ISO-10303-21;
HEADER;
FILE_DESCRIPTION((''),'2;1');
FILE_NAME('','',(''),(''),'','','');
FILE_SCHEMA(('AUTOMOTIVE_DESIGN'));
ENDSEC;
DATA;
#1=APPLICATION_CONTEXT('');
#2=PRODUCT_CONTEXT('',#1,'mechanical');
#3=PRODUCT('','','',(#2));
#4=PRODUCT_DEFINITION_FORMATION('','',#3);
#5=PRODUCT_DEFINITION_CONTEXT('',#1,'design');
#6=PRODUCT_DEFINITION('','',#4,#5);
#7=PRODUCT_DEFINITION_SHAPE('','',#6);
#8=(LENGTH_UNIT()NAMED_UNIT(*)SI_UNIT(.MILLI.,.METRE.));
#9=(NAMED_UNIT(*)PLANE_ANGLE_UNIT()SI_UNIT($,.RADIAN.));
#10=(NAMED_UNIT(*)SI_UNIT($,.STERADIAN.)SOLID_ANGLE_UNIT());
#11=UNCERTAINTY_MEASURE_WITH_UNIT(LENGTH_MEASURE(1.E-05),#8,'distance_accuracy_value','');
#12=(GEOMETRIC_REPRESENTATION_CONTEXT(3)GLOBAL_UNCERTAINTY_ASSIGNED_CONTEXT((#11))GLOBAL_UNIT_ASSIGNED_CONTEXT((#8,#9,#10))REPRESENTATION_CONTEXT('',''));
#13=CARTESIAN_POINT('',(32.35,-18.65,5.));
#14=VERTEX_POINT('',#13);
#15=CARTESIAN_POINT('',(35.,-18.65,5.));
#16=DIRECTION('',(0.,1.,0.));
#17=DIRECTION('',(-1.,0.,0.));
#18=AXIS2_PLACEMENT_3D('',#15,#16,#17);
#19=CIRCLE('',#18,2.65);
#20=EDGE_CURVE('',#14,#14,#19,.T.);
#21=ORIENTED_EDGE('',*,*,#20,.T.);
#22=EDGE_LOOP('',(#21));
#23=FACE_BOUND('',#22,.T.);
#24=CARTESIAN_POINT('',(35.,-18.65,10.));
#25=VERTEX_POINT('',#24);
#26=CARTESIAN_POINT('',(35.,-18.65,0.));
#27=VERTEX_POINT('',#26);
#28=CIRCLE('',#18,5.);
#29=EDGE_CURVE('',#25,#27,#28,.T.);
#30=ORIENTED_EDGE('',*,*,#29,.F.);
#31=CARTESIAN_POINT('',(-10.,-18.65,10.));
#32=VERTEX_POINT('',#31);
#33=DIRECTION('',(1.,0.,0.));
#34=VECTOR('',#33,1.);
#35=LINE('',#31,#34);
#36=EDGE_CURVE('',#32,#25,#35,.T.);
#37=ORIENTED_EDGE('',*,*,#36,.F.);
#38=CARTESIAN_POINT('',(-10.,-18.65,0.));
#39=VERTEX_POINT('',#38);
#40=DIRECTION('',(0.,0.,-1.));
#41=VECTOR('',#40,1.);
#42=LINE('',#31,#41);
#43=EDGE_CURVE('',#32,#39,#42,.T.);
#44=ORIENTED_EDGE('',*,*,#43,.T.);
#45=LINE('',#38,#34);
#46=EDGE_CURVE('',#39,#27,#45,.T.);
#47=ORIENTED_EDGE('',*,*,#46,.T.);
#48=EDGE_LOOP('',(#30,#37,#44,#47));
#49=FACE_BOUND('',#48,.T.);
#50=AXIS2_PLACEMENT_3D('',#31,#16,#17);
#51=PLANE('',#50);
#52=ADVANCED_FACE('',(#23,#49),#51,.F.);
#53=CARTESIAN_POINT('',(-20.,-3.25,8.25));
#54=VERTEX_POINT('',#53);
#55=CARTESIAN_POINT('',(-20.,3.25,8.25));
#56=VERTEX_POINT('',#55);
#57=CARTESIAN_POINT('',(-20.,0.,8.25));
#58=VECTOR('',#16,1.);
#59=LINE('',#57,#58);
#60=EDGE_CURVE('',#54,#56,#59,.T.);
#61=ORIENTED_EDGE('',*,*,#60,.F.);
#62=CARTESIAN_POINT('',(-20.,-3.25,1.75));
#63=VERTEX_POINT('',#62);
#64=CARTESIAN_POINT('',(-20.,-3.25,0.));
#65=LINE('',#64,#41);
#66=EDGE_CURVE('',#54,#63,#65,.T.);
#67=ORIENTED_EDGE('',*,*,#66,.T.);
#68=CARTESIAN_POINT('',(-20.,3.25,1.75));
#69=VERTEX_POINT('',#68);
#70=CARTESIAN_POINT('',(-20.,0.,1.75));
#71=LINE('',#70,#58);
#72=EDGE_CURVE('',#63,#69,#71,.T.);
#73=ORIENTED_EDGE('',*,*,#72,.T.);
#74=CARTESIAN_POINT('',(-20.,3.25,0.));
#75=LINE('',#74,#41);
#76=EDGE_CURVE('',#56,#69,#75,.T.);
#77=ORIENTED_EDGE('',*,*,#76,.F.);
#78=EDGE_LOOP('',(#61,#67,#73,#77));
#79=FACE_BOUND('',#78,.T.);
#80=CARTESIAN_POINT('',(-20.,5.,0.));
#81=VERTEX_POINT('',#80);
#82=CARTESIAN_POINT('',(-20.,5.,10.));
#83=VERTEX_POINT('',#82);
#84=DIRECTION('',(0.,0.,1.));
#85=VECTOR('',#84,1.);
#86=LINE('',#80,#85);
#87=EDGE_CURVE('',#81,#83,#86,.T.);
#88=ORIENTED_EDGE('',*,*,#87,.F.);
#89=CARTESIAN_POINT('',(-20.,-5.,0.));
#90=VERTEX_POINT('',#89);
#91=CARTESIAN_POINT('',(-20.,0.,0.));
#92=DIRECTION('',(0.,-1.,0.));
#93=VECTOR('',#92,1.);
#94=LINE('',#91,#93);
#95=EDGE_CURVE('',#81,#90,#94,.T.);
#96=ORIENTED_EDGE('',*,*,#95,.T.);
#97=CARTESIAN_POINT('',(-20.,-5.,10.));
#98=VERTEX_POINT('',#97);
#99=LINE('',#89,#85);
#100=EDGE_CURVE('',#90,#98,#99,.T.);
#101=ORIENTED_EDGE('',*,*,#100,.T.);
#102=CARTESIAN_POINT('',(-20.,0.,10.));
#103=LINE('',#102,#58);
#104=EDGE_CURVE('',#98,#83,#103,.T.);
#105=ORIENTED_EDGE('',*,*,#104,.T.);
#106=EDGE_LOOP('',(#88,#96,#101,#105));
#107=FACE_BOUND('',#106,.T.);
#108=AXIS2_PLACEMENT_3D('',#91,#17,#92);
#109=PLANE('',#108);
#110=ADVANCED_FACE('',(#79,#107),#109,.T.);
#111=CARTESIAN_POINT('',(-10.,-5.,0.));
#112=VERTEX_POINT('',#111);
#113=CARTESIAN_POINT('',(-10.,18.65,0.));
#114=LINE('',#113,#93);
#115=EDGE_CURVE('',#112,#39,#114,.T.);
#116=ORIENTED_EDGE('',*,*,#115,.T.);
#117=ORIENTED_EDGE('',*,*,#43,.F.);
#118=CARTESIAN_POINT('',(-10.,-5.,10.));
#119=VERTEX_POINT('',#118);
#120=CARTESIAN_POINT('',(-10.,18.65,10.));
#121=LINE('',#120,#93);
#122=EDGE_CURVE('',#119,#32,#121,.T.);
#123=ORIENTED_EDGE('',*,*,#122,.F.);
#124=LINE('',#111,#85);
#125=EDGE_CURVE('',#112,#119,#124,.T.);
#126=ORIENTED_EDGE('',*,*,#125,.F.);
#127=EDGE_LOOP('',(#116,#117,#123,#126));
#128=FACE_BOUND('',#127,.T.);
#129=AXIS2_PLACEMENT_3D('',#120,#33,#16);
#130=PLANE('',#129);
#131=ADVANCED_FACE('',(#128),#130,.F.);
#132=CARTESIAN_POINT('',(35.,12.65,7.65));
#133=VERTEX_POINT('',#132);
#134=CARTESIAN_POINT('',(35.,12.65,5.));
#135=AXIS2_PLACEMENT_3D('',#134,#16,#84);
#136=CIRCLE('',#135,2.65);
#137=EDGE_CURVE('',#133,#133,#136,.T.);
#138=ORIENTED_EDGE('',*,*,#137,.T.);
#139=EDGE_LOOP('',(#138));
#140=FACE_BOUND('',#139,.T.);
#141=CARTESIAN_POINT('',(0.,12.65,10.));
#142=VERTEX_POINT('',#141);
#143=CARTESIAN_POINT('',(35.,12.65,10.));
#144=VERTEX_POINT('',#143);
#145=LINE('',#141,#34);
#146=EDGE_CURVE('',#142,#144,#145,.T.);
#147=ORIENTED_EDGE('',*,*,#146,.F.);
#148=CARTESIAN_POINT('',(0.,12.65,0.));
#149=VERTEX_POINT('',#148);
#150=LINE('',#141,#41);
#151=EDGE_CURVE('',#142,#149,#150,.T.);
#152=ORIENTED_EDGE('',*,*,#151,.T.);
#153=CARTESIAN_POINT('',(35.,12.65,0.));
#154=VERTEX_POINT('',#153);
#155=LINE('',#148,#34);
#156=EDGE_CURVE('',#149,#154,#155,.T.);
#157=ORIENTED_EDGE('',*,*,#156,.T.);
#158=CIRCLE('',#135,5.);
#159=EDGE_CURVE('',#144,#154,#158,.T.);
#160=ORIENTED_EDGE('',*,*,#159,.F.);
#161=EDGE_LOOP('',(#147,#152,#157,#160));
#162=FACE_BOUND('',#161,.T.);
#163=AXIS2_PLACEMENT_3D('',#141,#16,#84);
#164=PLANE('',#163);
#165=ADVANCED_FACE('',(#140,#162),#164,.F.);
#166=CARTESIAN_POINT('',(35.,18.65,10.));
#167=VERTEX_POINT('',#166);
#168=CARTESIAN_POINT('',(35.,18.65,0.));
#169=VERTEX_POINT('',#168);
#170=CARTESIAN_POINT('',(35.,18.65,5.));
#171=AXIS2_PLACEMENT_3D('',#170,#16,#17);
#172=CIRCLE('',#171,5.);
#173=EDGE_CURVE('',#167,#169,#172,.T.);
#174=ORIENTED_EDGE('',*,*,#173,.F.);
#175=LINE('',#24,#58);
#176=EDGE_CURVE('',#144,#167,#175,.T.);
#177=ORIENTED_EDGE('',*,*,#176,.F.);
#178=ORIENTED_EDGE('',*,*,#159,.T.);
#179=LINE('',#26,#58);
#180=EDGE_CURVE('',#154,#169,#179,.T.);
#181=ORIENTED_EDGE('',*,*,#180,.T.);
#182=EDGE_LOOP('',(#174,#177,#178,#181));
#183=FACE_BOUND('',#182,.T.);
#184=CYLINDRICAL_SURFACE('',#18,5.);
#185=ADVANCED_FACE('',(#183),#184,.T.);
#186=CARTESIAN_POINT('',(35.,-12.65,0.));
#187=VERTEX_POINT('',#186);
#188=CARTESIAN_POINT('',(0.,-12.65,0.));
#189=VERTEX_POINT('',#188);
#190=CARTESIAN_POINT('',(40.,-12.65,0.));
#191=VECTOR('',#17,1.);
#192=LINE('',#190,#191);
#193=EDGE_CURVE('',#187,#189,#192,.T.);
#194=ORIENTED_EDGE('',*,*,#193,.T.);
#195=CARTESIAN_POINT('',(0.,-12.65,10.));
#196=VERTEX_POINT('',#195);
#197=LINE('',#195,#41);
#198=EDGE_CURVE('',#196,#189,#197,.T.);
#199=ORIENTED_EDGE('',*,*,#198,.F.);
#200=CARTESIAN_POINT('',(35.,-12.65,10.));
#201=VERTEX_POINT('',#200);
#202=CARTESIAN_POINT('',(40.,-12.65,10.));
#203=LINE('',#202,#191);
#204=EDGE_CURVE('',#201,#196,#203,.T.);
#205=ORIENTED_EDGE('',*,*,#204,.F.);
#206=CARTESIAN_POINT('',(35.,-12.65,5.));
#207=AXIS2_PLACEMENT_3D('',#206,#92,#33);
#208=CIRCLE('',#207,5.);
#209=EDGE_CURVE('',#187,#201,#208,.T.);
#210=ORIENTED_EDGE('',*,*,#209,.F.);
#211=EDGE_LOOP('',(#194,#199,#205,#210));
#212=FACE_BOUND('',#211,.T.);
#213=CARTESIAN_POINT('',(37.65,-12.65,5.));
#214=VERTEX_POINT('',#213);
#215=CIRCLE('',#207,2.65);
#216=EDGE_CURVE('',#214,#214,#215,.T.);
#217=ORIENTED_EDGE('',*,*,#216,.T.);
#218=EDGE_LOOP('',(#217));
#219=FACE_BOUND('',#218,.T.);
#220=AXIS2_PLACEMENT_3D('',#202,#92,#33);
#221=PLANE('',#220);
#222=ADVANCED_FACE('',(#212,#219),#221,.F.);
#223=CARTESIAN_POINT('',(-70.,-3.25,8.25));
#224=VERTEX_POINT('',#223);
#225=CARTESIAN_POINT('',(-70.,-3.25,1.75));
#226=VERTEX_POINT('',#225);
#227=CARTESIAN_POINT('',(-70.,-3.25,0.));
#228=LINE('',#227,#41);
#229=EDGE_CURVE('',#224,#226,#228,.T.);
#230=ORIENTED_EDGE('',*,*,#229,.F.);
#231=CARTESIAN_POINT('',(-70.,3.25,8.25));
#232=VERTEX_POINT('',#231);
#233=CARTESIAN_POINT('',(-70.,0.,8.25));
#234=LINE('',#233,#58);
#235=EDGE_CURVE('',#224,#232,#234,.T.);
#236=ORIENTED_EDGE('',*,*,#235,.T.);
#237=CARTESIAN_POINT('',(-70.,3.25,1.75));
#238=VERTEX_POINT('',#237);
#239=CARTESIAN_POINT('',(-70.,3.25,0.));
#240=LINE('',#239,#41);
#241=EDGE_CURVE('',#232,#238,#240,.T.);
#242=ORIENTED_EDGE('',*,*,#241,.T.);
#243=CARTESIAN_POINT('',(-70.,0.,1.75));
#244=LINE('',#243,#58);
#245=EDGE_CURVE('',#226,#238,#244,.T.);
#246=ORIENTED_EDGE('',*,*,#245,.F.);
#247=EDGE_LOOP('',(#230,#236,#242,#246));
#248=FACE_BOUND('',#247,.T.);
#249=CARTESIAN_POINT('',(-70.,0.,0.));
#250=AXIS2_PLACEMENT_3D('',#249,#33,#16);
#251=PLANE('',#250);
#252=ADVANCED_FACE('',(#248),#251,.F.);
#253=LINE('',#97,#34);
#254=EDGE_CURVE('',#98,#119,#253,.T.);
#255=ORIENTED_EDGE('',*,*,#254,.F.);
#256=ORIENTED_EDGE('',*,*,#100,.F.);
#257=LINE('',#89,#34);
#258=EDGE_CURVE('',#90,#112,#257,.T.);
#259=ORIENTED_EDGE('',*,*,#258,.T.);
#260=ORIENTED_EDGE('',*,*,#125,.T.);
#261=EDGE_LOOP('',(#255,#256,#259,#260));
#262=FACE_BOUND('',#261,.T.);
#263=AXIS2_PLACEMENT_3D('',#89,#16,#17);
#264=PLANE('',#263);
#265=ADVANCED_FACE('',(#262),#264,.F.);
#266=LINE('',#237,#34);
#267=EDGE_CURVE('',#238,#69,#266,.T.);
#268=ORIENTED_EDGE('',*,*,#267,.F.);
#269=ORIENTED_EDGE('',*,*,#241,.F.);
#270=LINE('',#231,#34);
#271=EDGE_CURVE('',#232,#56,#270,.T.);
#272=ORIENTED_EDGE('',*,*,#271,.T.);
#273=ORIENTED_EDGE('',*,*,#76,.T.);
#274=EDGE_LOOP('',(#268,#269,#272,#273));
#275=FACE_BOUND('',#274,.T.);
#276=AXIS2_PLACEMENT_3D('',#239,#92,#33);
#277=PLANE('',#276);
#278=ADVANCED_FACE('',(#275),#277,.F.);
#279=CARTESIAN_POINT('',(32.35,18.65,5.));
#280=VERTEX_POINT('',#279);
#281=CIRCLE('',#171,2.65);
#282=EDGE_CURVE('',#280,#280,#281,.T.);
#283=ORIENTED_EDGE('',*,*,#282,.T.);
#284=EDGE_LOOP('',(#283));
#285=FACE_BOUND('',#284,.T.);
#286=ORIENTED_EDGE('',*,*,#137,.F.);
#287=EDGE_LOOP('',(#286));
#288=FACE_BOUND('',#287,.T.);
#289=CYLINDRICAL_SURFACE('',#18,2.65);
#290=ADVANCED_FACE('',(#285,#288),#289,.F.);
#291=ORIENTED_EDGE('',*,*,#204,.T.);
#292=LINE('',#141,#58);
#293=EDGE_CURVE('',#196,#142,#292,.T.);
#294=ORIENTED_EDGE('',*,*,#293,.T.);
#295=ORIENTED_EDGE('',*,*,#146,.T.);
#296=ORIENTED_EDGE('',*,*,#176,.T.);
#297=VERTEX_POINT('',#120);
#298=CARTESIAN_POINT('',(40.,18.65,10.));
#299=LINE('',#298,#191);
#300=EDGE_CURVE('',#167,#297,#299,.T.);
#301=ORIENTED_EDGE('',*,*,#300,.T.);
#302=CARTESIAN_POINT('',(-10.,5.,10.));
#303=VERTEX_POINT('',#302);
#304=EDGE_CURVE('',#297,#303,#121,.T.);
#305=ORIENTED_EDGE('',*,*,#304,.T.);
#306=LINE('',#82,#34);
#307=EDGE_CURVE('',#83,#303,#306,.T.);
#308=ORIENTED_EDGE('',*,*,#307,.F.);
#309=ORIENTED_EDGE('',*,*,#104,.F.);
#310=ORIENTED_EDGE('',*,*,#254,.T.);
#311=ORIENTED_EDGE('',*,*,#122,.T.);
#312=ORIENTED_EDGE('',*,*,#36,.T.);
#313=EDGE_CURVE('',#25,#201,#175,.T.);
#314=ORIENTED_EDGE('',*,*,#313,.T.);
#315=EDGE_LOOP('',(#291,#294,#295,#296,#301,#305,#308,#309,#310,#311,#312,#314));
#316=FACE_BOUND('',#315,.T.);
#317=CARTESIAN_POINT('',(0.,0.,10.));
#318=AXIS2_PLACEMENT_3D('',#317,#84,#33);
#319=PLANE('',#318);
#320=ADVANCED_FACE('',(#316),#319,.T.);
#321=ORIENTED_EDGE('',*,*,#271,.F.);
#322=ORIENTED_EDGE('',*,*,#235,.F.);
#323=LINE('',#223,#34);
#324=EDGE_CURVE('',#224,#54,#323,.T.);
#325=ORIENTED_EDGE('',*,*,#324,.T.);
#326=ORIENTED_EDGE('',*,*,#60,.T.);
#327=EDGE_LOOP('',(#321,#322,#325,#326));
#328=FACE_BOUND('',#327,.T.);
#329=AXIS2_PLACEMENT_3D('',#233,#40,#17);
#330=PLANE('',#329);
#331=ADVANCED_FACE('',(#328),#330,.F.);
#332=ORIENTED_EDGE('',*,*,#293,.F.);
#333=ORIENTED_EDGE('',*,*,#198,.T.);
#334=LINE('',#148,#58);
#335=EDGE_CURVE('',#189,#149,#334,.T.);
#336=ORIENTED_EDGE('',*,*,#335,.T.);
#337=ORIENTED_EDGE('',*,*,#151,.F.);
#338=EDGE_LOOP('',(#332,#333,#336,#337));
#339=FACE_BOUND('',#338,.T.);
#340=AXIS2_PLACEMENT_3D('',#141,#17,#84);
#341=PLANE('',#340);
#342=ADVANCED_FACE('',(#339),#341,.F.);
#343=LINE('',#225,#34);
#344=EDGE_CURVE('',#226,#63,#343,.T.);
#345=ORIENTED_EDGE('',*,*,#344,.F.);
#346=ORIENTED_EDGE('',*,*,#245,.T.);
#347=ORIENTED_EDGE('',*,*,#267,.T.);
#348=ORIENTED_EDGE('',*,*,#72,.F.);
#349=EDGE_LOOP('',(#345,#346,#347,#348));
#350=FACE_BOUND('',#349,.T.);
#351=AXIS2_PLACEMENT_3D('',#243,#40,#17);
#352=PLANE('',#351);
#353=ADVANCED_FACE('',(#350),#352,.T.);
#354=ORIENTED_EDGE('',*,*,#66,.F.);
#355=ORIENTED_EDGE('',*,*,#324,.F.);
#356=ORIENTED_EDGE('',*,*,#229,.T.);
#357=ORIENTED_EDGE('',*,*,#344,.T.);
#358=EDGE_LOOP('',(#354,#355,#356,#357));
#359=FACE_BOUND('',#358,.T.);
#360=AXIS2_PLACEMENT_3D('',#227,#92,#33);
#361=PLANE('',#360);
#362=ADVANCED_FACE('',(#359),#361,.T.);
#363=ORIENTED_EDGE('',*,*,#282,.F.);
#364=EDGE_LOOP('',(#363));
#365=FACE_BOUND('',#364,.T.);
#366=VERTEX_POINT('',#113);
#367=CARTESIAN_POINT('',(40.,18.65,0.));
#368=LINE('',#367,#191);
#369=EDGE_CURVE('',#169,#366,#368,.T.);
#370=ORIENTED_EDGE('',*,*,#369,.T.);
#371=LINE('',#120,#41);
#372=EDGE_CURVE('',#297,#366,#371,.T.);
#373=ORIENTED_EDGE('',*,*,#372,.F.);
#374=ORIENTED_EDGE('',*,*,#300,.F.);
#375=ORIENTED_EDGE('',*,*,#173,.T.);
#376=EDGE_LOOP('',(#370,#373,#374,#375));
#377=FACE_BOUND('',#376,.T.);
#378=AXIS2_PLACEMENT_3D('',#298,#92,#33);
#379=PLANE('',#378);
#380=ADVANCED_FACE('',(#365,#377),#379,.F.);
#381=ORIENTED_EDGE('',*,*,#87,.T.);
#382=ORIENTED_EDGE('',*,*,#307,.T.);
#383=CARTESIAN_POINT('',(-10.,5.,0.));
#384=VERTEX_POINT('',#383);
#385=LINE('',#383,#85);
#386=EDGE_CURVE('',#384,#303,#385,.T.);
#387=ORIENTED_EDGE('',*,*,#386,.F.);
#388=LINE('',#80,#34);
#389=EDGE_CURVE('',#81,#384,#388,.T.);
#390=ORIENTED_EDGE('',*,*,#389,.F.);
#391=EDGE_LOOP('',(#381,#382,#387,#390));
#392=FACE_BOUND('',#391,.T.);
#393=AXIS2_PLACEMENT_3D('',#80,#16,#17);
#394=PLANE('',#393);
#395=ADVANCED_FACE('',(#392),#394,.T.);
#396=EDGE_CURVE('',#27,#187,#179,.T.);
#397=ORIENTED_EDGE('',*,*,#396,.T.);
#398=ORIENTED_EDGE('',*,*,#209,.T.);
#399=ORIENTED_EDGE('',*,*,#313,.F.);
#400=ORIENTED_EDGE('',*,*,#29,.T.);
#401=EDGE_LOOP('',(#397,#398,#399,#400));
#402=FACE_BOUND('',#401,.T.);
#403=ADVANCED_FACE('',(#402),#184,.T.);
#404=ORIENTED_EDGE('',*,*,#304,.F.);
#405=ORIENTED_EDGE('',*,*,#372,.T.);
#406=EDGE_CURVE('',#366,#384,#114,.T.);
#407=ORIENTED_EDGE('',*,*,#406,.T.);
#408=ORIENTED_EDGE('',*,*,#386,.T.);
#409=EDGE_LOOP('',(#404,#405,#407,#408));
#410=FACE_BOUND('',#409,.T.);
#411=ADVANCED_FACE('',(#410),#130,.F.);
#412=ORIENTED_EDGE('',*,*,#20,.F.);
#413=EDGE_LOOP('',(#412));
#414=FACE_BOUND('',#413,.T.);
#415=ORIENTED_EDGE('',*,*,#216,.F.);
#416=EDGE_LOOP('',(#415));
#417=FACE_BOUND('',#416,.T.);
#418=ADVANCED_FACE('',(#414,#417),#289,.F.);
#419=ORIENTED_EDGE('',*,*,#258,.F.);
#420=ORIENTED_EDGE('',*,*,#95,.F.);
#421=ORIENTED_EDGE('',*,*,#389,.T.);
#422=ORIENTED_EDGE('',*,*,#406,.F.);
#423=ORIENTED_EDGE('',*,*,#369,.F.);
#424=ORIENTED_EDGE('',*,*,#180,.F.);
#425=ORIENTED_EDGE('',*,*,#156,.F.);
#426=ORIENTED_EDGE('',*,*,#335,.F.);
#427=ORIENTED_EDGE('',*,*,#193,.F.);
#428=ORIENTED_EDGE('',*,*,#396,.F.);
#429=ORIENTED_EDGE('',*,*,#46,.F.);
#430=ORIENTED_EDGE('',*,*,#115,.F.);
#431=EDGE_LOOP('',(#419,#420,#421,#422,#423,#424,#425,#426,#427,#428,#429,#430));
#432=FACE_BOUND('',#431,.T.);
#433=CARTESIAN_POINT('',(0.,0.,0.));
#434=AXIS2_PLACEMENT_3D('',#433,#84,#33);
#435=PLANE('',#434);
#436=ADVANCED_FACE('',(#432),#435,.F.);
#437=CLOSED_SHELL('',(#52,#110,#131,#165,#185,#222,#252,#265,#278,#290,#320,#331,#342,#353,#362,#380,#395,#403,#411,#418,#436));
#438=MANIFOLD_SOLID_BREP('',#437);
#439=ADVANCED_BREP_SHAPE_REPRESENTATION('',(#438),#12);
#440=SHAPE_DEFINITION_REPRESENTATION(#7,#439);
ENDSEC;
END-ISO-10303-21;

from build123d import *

# Parameters (mm, degrees)
EXTRUDE_1_DEPTH     = 10
SKETCH_2_W          = 10
SKETCH_2_H          = 10
SKETCH_2_W_2        = 6.5
SKETCH_2_H_2        = 6.5
EXTRUDE_2_DEPTH     = 10
EXTRUDE_START       = 10
SKETCH_2_3_W        = 6.5
SKETCH_2_3_H        = 6.5
EXTRUDE_3_DEPTH     = 50
CUT_EXTRUDE_1_DEPTH = 80.945543966


with BuildPart() as part:
    # 草图1 → 凸台-拉伸1 (new body)
    with BuildSketch(Plane.XY):
        Polygon((0, 12.65), (0, -12.65), (40, -12.65), (40, -18.65), (-10, -18.65), (-10, 18.65), (40, 18.65), (40, 12.65), align=None)
    extrude(amount=EXTRUDE_1_DEPTH)

    # 草图2 → 凸台-拉伸2 (add)
    # profile 1 of 2: a face of its own
    with BuildSketch(Plane.ZY.offset(10)):
        with Locations((5, 0)):
            Rectangle(SKETCH_2_W, SKETCH_2_H)
        with Locations((5, 0)):
            Rectangle(SKETCH_2_W_2, SKETCH_2_H_2, mode=Mode.SUBTRACT)
    # profile 2 of 2: a face of its own
    with BuildSketch(Plane.ZY.offset(10)):
        with Locations((5, 0)):
            Rectangle(SKETCH_2_W_2, SKETCH_2_H_2)
    extrude(amount=EXTRUDE_2_DEPTH)

    # 草图2<3> → 凸台-拉伸3 (add)
    with BuildSketch(Plane.ZY.offset(10).offset(EXTRUDE_START)):
        with Locations((5, 0)):
            Rectangle(SKETCH_2_3_W, SKETCH_2_3_H)
    extrude(amount=EXTRUDE_3_DEPTH)

    # 草图3 → 切除-拉伸1 (cut, through all)
    with BuildSketch(Plane(origin=(0, 18.65, 0), x_dir=(1, 0, 0), z_dir=(0, 1, 0))):
        with BuildLine():
            ThreePointArc((32.35, -5), (35, -7.65), (37.65, -5))
            Line((37.65, -5), (32.35, -5))
        make_face()
        with BuildLine():
            Line((32.35, -5), (37.65, -5))
            ThreePointArc((37.65, -5), (35, -2.35), (32.35, -5))
        make_face()
        with BuildLine():
            ThreePointArc((35, 0), (38.535533906, -1.464466094), (40, -5))
            Line((40, -5), (40, 0))
            Line((40, 0), (35, 0))
        make_face()
        with BuildLine():
            Line((40, -10), (40, -5))
            ThreePointArc((40, -5), (38.535533906, -8.535533906), (35, -10))
            Line((35, -10), (40, -10))
        make_face()
    extrude(amount=-CUT_EXTRUDE_1_DEPTH, mode=Mode.SUBTRACT)


solid = part.part
